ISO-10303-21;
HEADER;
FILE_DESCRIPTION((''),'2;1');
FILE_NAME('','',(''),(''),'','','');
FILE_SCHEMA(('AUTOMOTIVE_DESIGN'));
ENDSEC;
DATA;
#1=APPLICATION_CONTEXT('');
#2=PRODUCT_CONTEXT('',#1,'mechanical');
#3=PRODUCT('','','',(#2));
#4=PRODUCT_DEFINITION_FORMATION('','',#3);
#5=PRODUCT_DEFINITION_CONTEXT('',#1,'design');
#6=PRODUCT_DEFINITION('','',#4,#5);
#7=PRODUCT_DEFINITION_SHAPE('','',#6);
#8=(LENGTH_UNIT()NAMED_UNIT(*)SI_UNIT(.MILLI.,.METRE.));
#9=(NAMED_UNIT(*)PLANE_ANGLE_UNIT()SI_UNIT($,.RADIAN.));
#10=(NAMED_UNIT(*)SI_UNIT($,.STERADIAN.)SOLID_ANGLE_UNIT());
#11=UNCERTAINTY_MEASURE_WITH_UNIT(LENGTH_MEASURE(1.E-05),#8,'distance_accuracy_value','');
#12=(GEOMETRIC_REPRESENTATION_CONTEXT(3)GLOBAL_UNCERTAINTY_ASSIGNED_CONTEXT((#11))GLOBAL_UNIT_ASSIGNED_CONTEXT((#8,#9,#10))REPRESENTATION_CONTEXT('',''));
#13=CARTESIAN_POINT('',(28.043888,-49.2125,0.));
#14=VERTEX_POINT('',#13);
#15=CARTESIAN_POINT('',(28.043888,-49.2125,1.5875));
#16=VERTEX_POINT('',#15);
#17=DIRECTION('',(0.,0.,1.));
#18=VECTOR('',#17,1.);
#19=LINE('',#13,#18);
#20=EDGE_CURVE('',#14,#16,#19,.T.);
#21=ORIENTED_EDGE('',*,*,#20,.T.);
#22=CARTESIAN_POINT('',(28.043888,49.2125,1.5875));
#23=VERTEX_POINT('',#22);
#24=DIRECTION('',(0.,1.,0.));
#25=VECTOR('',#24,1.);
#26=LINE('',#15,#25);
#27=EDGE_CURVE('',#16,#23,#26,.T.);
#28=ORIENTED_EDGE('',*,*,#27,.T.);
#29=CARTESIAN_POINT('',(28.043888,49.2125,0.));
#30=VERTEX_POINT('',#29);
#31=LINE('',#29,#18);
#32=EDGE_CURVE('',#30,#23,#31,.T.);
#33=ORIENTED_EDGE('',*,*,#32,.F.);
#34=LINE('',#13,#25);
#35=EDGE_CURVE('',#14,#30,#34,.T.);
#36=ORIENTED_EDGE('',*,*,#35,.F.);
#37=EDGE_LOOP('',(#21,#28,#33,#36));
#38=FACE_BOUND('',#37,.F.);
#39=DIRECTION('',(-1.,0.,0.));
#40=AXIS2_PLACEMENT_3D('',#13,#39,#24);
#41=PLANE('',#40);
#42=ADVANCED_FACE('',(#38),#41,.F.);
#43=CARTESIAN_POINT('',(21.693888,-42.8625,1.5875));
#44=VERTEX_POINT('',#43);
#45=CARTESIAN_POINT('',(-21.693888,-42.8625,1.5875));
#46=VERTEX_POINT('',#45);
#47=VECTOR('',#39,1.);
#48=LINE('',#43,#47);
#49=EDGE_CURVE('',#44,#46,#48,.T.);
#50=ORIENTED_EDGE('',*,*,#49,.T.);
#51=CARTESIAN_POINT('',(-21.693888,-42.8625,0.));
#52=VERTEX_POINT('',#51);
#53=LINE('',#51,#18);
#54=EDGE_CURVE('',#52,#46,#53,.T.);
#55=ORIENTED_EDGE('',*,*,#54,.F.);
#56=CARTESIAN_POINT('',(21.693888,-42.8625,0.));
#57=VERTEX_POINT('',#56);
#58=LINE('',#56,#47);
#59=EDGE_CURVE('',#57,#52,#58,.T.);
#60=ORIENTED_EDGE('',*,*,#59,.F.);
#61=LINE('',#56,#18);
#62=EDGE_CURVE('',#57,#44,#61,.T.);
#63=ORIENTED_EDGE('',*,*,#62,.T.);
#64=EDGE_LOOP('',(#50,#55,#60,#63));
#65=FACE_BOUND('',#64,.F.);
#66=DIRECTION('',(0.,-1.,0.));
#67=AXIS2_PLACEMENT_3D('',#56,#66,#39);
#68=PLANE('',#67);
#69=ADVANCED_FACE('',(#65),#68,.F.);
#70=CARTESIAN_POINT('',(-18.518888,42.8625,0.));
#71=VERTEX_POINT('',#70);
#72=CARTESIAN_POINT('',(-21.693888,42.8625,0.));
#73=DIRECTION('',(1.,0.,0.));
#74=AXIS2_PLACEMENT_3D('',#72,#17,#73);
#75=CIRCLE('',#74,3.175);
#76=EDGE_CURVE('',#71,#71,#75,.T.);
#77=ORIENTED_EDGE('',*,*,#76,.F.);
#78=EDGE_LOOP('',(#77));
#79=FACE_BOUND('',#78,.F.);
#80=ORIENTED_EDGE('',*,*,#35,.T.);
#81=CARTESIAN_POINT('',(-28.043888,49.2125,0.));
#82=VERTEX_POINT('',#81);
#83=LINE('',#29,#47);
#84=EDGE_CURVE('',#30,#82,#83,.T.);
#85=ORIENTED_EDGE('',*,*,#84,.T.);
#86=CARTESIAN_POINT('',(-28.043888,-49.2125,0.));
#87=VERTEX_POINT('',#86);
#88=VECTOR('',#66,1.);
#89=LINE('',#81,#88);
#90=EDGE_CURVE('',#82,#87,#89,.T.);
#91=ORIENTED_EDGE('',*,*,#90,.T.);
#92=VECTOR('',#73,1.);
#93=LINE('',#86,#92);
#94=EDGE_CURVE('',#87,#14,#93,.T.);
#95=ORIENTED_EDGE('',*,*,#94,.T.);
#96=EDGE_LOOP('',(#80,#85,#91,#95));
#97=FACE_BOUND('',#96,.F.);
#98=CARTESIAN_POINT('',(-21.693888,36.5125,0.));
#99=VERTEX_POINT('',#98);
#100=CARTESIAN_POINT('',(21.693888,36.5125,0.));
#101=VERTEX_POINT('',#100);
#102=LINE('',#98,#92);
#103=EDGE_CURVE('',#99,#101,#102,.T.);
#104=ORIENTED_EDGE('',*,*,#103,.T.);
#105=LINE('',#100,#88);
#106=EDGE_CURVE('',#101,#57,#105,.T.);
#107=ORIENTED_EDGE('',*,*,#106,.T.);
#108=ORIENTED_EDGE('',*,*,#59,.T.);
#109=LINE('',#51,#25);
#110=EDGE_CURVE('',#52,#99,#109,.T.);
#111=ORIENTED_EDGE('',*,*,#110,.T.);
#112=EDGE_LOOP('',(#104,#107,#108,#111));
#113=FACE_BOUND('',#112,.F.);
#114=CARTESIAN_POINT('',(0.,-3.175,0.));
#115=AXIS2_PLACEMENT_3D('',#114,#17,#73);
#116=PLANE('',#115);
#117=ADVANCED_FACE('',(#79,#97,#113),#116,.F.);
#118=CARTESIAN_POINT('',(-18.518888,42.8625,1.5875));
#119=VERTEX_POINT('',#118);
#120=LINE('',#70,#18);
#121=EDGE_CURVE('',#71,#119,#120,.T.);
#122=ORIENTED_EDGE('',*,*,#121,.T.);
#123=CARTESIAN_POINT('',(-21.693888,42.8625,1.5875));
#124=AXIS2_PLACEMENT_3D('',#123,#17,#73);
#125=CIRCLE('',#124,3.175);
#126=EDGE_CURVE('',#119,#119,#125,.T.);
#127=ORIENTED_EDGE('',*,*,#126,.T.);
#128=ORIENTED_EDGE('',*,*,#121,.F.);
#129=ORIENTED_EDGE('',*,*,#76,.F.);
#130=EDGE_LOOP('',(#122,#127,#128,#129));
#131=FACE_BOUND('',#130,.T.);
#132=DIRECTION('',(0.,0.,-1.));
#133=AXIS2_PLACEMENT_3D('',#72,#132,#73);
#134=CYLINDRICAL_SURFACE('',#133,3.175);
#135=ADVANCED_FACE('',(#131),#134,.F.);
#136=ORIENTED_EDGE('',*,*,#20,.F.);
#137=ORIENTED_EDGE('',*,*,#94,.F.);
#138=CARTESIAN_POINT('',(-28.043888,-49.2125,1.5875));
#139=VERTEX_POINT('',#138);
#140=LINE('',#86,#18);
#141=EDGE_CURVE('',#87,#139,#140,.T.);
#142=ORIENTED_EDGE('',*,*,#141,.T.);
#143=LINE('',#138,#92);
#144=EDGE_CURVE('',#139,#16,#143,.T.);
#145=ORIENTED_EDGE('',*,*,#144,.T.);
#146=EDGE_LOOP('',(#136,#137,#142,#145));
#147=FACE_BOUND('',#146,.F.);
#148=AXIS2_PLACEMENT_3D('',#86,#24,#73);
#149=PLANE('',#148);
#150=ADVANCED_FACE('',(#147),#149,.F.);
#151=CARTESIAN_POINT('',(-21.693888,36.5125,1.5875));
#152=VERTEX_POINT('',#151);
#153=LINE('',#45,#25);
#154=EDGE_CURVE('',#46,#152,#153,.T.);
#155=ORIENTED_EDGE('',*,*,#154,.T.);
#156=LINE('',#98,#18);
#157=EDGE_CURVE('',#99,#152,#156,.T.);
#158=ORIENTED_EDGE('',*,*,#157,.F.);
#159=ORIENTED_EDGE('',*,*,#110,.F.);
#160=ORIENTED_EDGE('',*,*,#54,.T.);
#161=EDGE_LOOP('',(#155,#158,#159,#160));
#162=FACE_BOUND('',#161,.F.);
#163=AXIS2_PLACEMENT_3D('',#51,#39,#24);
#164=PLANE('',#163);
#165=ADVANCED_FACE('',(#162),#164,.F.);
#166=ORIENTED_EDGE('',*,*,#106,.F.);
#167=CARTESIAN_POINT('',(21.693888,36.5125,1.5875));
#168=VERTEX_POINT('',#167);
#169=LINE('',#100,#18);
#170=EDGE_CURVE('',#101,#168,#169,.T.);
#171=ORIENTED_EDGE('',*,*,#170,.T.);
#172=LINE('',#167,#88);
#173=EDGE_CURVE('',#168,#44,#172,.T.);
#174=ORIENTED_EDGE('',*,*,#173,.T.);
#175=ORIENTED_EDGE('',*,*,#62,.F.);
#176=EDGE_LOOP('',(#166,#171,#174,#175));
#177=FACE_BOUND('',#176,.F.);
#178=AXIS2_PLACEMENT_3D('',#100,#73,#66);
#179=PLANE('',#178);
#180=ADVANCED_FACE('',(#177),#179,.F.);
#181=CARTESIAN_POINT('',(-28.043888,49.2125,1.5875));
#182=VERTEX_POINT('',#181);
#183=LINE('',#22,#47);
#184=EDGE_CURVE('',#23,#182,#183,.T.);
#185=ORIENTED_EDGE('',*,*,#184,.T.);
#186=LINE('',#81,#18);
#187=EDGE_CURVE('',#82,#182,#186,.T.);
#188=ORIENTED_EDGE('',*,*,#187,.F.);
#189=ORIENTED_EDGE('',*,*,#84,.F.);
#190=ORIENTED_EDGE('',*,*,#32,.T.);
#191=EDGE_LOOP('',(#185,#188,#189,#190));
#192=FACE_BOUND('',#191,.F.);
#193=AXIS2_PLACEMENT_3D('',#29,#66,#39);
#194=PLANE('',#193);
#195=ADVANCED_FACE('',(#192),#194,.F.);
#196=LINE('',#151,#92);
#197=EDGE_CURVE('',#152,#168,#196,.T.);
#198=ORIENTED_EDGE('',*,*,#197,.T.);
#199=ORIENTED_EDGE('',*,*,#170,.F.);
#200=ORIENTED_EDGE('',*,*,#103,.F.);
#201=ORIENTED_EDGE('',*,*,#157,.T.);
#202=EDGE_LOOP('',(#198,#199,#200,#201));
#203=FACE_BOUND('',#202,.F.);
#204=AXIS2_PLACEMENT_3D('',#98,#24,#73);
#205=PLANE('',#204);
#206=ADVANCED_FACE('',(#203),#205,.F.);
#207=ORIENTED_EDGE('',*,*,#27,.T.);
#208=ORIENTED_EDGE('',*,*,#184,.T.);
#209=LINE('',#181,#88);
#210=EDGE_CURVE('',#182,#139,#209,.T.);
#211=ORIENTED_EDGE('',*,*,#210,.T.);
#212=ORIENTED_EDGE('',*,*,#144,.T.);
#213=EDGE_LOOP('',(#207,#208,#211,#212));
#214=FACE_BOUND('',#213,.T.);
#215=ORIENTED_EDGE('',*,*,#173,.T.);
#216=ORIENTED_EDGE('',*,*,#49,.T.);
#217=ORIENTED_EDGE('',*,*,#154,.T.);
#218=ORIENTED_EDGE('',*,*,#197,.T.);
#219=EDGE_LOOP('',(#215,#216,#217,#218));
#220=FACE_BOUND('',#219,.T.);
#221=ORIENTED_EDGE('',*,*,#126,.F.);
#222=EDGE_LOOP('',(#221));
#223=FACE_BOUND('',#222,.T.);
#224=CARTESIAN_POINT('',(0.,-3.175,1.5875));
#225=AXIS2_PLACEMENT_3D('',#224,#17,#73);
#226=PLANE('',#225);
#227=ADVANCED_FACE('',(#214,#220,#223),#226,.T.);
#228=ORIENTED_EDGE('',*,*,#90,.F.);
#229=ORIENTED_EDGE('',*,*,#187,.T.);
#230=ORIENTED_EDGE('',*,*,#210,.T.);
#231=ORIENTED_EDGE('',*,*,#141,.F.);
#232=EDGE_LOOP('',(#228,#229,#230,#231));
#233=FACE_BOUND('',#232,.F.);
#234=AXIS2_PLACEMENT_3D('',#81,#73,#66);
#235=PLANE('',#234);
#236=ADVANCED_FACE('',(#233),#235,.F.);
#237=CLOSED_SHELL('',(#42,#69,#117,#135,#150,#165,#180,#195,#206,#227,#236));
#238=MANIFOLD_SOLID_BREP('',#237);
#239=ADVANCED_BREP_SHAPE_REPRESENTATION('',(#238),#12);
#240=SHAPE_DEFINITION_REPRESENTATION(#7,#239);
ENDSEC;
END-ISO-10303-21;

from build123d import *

# Parameters (mm, degrees)
F0_R     = 3.175
F1_DEPTH = 1.5875


with BuildPart() as f1:
    # F0 (on Top) → F1 (new body)
    with BuildSketch(Plane.XY):
        Polygon((21.693888, -42.8625), (21.693888, 0), (21.693888, 36.5125), (0, 36.5125), (-21.693888, 36.5125), (-21.693888, 0), (-21.693888, -42.8625), (0, -42.8625), align=None)
        Polygon((-28.043888, -49.2125), (28.043888, -49.2125), (28.043888, 0), (28.043888, 35.28102), (28.043888, 49.2125), (0, 49.2125), (-28.043888, 49.2125), (-28.043888, 35.28102), align=None)
        Polygon((21.693888, 36.5125), (21.693888, 0), (21.693888, -42.8625), (0, -42.8625), (-21.693888, -42.8625), (-21.693888, 0), (-21.693888, 36.5125), (0, 36.5125), align=None, mode=Mode.SUBTRACT)
        with Locations((-21.693888, 42.8625)):
            Circle(F0_R, mode=Mode.SUBTRACT)
    extrude(amount=F1_DEPTH)


solid = f1.part
